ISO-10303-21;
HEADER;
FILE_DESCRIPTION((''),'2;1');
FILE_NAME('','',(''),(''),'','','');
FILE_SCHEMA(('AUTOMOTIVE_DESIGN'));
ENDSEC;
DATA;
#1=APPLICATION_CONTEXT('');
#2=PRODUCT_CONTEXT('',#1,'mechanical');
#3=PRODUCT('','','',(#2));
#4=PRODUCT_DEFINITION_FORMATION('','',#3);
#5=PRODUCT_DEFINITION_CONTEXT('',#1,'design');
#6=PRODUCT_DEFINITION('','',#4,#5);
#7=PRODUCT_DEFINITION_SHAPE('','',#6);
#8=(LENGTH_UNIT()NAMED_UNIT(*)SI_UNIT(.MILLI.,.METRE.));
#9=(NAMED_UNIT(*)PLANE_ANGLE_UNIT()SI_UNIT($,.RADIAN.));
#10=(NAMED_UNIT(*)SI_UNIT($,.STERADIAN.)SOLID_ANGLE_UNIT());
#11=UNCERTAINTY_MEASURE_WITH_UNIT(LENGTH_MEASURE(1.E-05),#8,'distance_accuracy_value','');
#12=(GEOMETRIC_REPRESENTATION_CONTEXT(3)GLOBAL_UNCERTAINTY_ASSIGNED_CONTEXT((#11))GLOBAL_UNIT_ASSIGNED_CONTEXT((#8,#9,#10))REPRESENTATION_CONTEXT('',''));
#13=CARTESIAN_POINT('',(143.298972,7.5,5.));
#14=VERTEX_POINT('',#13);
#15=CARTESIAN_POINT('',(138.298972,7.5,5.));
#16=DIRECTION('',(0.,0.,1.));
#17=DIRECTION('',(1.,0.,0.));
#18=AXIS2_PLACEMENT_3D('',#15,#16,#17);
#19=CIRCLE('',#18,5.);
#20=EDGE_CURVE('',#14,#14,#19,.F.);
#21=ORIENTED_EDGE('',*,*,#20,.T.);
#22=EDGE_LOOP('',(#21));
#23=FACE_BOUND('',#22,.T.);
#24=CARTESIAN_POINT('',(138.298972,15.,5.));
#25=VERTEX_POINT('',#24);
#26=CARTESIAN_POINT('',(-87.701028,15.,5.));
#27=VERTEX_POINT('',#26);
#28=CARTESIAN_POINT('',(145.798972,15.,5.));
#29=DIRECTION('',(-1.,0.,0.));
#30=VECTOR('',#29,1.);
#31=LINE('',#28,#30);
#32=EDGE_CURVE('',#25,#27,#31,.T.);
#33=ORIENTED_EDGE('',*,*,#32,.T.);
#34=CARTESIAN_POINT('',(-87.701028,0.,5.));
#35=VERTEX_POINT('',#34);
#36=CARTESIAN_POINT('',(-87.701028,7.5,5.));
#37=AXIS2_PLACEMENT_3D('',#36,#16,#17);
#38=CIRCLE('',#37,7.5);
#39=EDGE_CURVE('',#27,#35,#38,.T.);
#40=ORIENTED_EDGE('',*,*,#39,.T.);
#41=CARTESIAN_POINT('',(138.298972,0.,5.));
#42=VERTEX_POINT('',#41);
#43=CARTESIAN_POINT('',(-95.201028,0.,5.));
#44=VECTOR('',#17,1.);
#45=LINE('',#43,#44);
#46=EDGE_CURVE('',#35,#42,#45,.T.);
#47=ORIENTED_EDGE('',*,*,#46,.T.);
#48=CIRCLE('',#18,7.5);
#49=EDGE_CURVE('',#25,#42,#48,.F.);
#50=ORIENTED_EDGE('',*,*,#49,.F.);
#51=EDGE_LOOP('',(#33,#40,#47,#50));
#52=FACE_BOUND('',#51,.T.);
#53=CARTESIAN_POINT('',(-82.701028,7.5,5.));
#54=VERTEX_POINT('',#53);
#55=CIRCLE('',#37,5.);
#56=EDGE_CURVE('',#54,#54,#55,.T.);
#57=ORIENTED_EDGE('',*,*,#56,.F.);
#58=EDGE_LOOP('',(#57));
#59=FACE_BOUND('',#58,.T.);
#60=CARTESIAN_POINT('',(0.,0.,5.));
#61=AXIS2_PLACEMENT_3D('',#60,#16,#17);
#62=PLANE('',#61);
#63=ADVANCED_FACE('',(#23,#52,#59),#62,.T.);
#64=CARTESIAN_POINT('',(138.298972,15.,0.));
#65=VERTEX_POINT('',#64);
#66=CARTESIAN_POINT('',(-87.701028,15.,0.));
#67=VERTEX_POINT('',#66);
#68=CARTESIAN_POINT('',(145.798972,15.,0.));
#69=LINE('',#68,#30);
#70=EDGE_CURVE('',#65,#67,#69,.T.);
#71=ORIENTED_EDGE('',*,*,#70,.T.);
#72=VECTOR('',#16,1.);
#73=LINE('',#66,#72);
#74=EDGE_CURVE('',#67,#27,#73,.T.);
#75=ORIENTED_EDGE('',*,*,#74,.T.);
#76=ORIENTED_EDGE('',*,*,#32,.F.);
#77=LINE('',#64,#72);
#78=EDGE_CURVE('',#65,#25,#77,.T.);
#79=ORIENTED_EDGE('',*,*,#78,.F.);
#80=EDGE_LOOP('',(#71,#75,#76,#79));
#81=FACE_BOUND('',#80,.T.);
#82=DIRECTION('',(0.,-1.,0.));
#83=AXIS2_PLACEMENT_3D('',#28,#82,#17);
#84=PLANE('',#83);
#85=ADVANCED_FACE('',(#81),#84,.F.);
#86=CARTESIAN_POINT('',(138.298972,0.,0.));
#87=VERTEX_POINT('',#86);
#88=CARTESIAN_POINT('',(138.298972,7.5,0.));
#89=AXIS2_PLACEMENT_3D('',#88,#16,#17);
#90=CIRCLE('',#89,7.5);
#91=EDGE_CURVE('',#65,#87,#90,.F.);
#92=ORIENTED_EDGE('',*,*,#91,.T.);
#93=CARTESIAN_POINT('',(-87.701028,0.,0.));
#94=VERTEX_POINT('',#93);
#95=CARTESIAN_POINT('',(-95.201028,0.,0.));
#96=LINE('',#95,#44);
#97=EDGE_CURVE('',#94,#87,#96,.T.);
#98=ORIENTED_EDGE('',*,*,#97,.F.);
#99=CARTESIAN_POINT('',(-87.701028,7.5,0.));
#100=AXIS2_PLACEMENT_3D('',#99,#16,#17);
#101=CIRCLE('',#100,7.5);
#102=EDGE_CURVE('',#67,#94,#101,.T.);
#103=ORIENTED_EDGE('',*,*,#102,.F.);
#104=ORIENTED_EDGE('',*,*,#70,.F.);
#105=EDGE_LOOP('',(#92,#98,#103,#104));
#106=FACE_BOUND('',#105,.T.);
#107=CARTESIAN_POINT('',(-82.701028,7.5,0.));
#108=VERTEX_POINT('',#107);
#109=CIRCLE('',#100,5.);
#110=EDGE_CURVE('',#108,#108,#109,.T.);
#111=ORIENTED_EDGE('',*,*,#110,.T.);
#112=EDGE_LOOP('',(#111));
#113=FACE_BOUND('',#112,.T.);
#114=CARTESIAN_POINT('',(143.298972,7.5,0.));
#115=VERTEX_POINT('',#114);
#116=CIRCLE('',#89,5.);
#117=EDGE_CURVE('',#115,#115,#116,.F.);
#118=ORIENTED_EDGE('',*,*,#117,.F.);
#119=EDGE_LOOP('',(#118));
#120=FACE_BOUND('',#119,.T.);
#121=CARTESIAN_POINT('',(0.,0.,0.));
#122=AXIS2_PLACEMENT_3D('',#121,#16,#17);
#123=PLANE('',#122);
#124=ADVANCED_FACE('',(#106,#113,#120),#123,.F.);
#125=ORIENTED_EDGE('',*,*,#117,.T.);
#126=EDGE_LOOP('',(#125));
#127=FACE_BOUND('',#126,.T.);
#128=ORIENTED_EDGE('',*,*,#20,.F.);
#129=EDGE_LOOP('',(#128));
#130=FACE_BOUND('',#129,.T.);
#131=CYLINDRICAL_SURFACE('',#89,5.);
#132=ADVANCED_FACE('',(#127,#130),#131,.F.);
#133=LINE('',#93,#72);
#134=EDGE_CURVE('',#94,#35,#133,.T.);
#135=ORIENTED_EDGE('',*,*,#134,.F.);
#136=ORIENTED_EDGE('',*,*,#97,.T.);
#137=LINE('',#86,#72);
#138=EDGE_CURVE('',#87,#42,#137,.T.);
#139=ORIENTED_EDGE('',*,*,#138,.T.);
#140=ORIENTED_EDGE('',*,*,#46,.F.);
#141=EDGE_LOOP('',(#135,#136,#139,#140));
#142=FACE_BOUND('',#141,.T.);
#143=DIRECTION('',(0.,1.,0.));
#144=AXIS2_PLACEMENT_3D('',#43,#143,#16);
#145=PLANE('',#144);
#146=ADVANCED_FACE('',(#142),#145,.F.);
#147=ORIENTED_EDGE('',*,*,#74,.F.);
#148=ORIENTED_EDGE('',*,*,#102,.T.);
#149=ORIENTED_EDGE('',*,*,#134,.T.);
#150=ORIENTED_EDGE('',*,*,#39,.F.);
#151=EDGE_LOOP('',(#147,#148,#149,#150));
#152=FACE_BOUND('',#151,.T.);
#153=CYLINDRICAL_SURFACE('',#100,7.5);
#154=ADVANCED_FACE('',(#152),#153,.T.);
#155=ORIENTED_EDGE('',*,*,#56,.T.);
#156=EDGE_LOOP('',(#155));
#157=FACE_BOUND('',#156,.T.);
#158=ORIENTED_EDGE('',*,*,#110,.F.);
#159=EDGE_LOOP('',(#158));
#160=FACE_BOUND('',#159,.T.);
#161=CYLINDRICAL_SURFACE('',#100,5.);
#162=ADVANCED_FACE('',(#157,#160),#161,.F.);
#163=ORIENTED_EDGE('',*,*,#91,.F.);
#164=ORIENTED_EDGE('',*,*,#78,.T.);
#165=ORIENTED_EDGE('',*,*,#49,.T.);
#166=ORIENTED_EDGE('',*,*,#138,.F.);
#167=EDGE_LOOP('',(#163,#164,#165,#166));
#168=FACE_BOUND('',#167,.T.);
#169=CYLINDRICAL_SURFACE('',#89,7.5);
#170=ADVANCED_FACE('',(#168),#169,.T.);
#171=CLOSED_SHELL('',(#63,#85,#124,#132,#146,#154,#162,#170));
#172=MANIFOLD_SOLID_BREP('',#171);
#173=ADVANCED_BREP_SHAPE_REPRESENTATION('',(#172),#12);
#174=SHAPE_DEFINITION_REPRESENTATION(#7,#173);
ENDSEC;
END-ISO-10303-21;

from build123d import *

# Parameters (mm, degrees)
SKETCH1_W           = 241
SKETCH1_H           = 15
BOSS_EXTRUDE1_DEPTH = 5
SKETCH2_R           = 5
CUT_EXTRUDE2_DEPTH  = 5


with BuildPart() as part:
    # Sketch1 → Boss-Extrude1 (new body)
    with BuildSketch(Plane.XY):
        with Locations((25.298972138, 7.5)):
            Rectangle(SKETCH1_W, SKETCH1_H)
    extrude(amount=BOSS_EXTRUDE1_DEPTH)

    # Sketch2 → Cut-Extrude2 (cut)
    with BuildSketch(Plane.XY.offset(5)):
        with Locations((-87.701027862, 7.5)):
            Circle(SKETCH2_R)
        with BuildLine():
            Line((-87.701027825, 15), (-95.201027862, 15))
            Line((-95.201027862, 15), (-95.201027862, 7.5))
            ThreePointArc((-95.201027862, 7.5), (-93.004328708, 12.803300872), (-87.701027825, 15))
        make_face()
        with BuildLine():
            ThreePointArc((-87.701027862, 0), (-93.004328721, 2.196699141), (-95.201027862, 7.5))
            Line((-95.201027862, 7.5), (-95.201027862, 0))
            Line((-95.201027862, 0), (-87.701027862, 0))
        make_face()
        with Locations((138.298972138, 7.5)):
            Circle(SKETCH2_R)
        with BuildLine():
            Line((145.798972138, 15), (138.298972138, 15))
            ThreePointArc((138.298972138, 15), (143.602272997, 12.803300859), (145.798972138, 7.5))
            Line((145.798972138, 7.5), (145.798972138, 15))
        make_face()
        with BuildLine():
            ThreePointArc((145.798972138, 7.5), (143.602272997, 2.196699141), (138.298972138, 0))
            Line((138.298972138, 0), (145.798972138, 0))
            Line((145.798972138, 0), (145.798972138, 7.5))
        make_face()
    extrude(amount=-CUT_EXTRUDE2_DEPTH, mode=Mode.SUBTRACT)


solid = part.part
